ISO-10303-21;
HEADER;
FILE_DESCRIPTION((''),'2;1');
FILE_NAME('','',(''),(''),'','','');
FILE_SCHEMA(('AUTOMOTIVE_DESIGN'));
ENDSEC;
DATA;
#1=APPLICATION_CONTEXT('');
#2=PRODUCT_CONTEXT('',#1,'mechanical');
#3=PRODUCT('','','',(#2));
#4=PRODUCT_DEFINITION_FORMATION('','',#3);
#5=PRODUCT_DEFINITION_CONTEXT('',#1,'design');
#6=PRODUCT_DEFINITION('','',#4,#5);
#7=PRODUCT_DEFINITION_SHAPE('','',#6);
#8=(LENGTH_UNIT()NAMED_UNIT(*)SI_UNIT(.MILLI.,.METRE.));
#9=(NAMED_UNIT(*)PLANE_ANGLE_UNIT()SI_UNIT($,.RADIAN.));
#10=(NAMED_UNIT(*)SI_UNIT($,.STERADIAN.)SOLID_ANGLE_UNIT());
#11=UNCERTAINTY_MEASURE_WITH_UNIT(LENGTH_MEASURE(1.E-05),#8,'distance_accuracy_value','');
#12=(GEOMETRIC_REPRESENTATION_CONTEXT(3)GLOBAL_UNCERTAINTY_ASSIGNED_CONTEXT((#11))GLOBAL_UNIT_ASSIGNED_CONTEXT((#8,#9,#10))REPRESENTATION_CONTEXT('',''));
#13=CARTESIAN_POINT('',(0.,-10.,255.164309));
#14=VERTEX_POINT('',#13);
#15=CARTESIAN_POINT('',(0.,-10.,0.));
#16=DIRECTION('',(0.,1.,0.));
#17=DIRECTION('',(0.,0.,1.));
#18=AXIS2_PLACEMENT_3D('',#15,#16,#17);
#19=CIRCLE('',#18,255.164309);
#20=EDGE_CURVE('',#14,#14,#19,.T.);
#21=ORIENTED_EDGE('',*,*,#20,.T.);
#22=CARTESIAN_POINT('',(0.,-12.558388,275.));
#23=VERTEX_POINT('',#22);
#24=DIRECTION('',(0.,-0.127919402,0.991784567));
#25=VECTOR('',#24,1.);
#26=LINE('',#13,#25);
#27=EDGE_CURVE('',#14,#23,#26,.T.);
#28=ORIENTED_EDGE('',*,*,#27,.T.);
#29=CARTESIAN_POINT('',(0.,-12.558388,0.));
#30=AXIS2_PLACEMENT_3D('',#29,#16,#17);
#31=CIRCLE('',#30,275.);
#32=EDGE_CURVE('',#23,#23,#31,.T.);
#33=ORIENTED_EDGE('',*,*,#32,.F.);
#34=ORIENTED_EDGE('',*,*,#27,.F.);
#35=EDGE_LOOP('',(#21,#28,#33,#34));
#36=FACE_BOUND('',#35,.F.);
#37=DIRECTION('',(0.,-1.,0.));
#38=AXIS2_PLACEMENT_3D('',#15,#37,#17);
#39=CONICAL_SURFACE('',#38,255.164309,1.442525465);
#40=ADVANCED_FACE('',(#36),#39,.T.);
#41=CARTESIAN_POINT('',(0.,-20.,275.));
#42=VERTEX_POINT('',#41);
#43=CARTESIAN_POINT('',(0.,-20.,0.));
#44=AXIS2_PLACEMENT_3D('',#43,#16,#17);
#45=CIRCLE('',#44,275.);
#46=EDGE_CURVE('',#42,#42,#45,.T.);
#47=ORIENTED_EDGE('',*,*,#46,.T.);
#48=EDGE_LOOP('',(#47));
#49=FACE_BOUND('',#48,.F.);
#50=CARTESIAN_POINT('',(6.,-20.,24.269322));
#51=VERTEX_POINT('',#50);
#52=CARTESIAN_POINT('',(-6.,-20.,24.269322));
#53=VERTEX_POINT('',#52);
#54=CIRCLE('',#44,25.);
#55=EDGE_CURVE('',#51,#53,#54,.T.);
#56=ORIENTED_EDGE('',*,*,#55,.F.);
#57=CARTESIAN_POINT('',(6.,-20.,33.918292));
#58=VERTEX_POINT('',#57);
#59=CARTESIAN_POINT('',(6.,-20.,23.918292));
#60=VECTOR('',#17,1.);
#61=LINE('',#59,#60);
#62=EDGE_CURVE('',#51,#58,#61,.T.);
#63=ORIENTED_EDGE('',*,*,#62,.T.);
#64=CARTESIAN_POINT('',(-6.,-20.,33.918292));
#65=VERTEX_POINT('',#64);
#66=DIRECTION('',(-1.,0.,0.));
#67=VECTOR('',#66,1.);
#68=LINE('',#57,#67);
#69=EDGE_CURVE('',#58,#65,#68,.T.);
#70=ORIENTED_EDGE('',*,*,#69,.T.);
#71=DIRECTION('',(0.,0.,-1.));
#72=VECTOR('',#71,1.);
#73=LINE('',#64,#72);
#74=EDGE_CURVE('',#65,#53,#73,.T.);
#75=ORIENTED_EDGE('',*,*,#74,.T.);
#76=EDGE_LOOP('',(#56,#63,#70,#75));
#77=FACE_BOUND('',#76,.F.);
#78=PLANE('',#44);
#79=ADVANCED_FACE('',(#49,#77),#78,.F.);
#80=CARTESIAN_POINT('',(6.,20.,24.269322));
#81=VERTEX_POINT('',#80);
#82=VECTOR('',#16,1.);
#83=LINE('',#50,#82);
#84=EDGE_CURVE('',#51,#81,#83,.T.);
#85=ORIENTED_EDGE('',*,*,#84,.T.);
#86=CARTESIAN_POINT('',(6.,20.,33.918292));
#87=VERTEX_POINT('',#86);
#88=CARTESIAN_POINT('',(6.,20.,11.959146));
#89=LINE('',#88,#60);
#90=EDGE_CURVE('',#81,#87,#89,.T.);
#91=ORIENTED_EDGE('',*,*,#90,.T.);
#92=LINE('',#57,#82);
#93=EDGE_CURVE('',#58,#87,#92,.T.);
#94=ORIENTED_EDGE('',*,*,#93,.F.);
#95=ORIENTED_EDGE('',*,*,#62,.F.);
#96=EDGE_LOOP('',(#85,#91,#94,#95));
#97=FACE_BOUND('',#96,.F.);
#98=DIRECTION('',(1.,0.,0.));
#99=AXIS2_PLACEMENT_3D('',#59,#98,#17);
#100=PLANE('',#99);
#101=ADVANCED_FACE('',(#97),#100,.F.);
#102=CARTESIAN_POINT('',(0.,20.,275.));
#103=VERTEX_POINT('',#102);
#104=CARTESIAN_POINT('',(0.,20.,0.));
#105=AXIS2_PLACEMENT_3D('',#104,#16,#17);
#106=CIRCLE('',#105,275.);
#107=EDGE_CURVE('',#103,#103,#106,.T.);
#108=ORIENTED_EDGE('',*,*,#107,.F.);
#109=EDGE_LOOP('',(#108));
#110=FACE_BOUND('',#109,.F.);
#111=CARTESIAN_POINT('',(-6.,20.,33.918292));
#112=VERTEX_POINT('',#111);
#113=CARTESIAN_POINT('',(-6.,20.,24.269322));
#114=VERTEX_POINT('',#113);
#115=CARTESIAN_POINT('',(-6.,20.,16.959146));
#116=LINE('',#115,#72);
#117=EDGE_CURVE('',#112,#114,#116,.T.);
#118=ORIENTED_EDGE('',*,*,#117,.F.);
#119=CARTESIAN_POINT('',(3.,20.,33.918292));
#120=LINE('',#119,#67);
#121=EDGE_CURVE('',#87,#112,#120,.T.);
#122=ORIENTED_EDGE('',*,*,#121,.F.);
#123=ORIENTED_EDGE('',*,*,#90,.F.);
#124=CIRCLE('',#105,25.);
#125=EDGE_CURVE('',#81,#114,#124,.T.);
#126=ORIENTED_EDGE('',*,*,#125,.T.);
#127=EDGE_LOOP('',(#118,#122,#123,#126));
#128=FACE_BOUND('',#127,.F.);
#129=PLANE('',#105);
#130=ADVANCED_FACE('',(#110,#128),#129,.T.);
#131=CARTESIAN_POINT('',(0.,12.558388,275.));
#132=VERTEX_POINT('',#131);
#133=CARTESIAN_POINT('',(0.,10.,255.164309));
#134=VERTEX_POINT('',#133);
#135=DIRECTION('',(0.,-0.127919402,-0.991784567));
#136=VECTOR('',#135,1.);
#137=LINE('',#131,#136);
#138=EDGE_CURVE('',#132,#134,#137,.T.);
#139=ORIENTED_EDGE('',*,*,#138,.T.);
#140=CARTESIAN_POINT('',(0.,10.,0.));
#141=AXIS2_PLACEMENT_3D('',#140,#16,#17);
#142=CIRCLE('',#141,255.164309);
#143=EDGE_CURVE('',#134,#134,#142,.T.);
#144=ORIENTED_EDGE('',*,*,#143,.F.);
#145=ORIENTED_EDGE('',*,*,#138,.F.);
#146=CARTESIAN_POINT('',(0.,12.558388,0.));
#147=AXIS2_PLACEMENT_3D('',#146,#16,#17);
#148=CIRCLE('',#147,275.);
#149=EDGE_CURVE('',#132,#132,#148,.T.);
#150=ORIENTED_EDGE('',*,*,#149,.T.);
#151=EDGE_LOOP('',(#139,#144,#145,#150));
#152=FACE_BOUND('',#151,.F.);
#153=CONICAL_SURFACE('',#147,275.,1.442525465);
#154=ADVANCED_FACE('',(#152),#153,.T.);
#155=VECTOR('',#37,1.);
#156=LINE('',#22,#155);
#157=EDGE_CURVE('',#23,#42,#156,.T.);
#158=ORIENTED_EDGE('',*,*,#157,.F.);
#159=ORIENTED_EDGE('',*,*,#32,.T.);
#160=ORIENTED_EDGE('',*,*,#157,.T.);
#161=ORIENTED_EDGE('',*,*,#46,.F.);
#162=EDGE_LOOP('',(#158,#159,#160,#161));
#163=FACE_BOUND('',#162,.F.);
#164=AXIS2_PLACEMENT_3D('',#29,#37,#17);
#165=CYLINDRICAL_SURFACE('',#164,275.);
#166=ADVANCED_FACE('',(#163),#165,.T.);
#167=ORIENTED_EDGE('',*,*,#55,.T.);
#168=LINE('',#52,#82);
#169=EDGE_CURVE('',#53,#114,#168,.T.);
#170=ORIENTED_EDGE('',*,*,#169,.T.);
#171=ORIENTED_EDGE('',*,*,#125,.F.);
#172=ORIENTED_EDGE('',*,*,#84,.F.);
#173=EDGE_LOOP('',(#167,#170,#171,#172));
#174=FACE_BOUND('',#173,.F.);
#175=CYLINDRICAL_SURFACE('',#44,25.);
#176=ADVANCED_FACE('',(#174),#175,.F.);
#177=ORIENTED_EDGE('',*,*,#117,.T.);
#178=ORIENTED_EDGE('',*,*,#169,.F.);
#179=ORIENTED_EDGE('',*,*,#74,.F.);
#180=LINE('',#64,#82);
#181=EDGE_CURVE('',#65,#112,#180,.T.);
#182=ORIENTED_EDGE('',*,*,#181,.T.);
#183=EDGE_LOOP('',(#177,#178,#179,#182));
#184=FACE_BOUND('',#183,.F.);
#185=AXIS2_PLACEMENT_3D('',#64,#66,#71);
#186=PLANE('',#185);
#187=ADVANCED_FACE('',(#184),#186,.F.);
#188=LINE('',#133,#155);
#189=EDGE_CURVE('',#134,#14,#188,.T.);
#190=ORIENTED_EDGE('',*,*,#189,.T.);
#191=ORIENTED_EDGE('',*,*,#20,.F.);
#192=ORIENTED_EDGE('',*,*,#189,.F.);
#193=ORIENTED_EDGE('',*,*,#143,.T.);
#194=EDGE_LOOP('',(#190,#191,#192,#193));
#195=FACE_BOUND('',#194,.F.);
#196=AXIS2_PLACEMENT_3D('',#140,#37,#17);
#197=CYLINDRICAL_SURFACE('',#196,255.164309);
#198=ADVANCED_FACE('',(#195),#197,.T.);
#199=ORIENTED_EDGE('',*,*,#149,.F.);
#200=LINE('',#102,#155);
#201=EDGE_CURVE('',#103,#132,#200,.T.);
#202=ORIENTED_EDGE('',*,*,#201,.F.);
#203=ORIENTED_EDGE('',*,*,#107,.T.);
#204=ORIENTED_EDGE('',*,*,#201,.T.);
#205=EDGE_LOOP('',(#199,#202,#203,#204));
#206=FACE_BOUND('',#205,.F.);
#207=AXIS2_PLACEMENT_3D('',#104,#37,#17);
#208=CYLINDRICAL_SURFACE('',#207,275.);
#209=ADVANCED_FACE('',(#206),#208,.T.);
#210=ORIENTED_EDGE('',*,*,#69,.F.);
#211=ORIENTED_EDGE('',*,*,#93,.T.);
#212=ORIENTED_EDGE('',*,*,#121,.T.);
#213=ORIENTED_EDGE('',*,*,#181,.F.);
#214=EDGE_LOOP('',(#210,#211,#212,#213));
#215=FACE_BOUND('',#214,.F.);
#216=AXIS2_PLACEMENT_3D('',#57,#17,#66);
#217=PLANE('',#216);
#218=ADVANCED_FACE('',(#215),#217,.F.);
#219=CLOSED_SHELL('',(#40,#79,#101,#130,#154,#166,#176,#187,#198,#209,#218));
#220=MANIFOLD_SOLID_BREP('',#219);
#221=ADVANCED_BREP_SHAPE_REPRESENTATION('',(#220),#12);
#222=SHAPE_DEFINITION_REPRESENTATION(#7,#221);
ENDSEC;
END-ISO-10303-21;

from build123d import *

# Parameters (mm, degrees)
F3_DEPTH = 40.001


with BuildPart() as f1:
    # F0 (on Right) → F1 (revolve)
    with BuildSketch(Plane.YZ):
        Polygon((-20, 25), (0, 25), (20, 25), (20, 275), (12.558388, 275), (10, 255.164309), (0, 255.164309), (-10, 255.164309), (-12.558388, 275), (-20, 275), align=None)
    revolve(axis=Axis((0, 0.25152, 0), (0, 1, 0)))

    # F2 (on face) → F3 (cut, through all)
    with BuildSketch(Plane.XZ.offset(20)):
        Polygon((0, 33.918292), (-6, 33.918292), (-6, 23.918292), (0, 23.918292), (6, 23.918292), (6, 33.918292), align=None)
    extrude(amount=-F3_DEPTH, mode=Mode.SUBTRACT)


solid = f1.part
